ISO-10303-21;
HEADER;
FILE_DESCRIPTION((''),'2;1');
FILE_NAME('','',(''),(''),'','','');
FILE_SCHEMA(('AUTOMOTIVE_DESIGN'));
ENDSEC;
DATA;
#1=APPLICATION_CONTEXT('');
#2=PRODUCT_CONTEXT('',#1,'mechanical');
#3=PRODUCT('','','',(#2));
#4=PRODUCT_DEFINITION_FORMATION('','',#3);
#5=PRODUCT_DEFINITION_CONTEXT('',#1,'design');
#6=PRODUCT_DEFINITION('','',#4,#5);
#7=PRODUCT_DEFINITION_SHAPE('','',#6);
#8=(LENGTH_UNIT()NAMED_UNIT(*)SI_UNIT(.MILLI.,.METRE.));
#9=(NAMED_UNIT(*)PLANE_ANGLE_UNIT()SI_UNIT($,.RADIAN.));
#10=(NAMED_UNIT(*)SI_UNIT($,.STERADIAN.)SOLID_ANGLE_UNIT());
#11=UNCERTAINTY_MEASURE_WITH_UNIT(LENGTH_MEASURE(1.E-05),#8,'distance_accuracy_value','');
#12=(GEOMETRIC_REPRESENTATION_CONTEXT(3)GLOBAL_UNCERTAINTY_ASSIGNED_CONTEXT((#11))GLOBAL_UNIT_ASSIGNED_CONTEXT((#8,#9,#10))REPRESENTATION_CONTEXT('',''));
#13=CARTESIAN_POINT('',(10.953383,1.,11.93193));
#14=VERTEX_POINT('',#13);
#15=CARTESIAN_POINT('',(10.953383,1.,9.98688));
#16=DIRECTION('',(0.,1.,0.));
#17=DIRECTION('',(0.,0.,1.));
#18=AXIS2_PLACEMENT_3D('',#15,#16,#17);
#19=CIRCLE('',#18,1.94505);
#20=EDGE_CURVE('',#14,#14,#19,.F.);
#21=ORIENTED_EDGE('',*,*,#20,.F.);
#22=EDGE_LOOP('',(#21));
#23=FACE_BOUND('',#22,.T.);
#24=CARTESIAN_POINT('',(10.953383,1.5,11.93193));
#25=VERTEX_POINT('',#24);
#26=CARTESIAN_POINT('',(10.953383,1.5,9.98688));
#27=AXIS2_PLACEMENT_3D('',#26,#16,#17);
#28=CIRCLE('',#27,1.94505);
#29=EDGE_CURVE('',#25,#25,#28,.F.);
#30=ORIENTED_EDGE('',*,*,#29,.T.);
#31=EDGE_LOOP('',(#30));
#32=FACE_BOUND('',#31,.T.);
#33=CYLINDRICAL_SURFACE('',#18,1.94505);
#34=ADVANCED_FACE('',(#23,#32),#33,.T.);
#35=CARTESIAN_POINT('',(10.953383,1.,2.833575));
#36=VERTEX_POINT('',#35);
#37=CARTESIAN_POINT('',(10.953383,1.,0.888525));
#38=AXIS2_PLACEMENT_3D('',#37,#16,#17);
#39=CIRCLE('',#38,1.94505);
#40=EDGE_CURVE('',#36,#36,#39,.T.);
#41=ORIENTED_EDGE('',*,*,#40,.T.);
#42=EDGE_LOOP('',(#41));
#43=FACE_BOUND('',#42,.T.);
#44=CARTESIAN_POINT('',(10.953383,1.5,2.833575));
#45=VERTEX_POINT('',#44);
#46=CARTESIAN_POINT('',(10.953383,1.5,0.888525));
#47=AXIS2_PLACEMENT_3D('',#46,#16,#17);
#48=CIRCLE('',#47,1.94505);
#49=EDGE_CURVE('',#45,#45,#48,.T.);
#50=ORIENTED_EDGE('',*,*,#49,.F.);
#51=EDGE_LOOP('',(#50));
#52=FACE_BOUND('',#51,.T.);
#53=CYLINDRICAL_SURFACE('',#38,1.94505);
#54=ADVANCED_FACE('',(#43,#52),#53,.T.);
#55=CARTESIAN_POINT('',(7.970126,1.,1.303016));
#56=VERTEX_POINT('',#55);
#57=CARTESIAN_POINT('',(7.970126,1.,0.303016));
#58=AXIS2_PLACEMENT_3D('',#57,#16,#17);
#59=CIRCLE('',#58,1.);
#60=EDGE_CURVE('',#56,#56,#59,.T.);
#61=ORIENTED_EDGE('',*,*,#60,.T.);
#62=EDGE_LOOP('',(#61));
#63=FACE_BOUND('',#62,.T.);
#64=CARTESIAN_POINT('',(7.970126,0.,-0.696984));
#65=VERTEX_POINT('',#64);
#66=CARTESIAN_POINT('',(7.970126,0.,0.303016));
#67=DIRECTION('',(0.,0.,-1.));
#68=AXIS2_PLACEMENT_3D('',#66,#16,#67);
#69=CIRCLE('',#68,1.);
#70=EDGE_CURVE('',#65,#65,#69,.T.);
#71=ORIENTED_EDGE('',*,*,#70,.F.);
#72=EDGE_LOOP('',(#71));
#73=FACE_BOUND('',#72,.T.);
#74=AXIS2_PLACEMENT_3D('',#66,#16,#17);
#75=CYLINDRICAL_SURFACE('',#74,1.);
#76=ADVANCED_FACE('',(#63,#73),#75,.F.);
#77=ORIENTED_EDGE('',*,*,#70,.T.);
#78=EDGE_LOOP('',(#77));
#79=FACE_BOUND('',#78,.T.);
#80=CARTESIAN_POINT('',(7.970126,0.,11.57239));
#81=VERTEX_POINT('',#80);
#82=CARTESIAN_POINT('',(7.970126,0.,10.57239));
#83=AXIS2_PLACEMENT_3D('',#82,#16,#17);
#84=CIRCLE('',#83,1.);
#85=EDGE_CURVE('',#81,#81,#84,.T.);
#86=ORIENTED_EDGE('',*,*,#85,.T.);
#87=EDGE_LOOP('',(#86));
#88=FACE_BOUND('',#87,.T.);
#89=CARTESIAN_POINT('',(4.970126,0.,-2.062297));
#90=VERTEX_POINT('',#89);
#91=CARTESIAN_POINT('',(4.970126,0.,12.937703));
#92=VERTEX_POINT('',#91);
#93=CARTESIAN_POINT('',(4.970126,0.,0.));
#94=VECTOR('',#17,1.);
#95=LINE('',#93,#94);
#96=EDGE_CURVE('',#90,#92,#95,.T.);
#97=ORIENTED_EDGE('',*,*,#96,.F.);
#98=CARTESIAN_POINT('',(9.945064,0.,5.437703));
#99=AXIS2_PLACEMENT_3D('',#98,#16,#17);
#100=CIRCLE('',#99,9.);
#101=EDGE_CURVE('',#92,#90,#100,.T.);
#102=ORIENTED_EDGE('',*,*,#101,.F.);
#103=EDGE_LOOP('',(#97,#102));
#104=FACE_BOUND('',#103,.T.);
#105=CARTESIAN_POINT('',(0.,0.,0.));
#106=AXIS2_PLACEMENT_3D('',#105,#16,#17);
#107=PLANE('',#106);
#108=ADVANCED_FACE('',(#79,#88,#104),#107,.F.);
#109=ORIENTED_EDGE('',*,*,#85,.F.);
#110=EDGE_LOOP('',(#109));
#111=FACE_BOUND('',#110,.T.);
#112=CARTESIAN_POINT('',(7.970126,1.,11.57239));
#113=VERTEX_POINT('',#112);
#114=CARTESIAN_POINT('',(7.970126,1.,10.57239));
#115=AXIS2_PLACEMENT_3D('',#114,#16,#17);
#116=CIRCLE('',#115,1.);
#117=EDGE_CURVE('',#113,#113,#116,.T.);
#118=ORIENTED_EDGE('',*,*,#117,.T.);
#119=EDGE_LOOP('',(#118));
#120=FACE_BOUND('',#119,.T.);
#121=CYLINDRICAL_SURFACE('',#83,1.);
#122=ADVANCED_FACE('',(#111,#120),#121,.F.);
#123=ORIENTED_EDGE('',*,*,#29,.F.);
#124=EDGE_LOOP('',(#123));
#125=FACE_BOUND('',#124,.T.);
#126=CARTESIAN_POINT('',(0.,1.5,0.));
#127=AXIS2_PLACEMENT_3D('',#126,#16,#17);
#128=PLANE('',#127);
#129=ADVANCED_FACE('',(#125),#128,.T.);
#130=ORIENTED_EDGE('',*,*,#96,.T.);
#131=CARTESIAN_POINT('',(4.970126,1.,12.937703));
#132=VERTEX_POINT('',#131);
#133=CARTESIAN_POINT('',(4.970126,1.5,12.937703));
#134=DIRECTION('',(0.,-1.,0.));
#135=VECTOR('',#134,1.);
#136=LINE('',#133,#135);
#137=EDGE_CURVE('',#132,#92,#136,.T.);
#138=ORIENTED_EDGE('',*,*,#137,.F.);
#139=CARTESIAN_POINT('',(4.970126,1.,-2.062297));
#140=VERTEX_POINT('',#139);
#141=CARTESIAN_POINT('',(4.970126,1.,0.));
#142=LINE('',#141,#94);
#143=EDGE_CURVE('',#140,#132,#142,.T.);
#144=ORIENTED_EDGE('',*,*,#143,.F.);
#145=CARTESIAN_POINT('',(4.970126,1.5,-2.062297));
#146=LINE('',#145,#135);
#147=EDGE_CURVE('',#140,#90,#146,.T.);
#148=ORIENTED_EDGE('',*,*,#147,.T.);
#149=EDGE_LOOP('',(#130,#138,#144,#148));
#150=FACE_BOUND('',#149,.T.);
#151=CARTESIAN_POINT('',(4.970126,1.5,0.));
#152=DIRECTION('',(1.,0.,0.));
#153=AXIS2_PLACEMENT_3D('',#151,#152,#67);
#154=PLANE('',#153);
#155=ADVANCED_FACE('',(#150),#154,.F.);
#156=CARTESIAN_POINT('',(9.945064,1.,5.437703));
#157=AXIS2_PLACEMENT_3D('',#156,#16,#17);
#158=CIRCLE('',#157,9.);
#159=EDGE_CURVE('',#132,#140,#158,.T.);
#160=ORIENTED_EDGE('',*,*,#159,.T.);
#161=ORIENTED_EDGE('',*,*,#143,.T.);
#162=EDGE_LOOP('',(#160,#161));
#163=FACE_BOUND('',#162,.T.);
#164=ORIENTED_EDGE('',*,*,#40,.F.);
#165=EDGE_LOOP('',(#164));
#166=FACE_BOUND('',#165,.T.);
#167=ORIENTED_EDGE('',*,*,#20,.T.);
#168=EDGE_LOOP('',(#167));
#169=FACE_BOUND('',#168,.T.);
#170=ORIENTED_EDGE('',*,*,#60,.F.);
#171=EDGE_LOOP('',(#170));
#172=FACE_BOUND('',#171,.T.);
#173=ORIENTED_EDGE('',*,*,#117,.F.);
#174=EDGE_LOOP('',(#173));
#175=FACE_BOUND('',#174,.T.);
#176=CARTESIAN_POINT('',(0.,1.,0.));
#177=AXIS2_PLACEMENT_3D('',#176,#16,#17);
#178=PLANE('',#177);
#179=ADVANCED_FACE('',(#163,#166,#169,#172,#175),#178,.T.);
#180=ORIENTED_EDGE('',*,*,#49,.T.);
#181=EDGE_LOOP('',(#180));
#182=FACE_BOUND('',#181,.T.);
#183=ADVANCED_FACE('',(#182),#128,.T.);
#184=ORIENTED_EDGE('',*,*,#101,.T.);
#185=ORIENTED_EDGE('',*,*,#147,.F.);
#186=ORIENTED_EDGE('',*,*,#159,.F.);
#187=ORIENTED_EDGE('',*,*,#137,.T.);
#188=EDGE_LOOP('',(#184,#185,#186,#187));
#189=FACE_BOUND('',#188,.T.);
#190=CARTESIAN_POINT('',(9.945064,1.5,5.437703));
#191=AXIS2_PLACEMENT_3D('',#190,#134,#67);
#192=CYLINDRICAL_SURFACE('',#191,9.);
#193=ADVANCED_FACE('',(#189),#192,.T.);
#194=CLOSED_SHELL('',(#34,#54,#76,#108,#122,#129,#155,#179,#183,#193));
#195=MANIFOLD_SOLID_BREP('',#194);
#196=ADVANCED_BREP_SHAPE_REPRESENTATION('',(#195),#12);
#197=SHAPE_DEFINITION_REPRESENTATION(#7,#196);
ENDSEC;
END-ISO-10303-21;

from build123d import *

# Parameters (mm, degrees)
RESSALTO_EXTRUS_O2_DEPTH   = 1.5
ESBO_O5_R                  = 15.72745668
ESBO_O5_R_2                = 1.945049623
CORTE_EXTRUS_O1_DEPTH      = 0.5
CORTE_EXTRUS_O2_DEPTH      = 24.840358488
CORTE_EXTRUS_O2_DEPTH_BACK = 24.840358488
ESBO_O7_R                  = 1


with BuildPart() as part:
    # Esboço4 → Ressalto-extrusão2 (new body)
    with BuildSketch(Plane(origin=(0, 0, 0), x_dir=(1, 0, 0), z_dir=(0, 1, 0))):
        with BuildLine():
            ThreePointArc((18.945063587, -5.437702675), (14.200975083, 2.492443436), (4.970126401, 2.062297325))
            Line((4.970126401, 2.062297325), (4.970126401, -12.937702675))
            ThreePointArc((4.970126401, -12.937702675), (14.200975083, -13.367848785), (18.945063587, -5.437702675))
        make_face()
    extrude(amount=RESSALTO_EXTRUS_O2_DEPTH)

    # Esboço5 → Corte-extrusão1 (cut)
    with BuildSketch(Plane(origin=(0, 1.5, 0), x_dir=(1, 0, 0), z_dir=(0, 1, 0))):
        with Locations((8.279998828, -5.161239755)):
            Circle(ESBO_O5_R)
        with Locations(Location((10.953382727, -0.888525014, 0), (0, 0, 270))):
            Circle(ESBO_O5_R_2, mode=Mode.SUBTRACT)
        with Locations(Location((10.953382727, -9.986880335, 0), (0, 0, 270))):
            Circle(ESBO_O5_R_2, mode=Mode.SUBTRACT)
    extrude(amount=-CORTE_EXTRUS_O1_DEPTH, mode=Mode.SUBTRACT)

    # Esboço7 → Corte-extrusão2 (cut, two sides: drawn at the far end of the back side and taken through both)
    with BuildSketch(Plane(origin=(0, 1, 0), x_dir=(1, 0, 0), z_dir=(0, 1, 0)).offset(-CORTE_EXTRUS_O2_DEPTH_BACK)):
        with Locations(Location((7.970126401, -10.572389641, 0), (0, 0, 270))):
            Circle(ESBO_O7_R)
        with Locations(Location((7.970126401, -0.303015709, 0), (0, 0, 270))):
            Circle(ESBO_O7_R)
    extrude(amount=CORTE_EXTRUS_O2_DEPTH + CORTE_EXTRUS_O2_DEPTH_BACK, mode=Mode.SUBTRACT)


solid = part.part
